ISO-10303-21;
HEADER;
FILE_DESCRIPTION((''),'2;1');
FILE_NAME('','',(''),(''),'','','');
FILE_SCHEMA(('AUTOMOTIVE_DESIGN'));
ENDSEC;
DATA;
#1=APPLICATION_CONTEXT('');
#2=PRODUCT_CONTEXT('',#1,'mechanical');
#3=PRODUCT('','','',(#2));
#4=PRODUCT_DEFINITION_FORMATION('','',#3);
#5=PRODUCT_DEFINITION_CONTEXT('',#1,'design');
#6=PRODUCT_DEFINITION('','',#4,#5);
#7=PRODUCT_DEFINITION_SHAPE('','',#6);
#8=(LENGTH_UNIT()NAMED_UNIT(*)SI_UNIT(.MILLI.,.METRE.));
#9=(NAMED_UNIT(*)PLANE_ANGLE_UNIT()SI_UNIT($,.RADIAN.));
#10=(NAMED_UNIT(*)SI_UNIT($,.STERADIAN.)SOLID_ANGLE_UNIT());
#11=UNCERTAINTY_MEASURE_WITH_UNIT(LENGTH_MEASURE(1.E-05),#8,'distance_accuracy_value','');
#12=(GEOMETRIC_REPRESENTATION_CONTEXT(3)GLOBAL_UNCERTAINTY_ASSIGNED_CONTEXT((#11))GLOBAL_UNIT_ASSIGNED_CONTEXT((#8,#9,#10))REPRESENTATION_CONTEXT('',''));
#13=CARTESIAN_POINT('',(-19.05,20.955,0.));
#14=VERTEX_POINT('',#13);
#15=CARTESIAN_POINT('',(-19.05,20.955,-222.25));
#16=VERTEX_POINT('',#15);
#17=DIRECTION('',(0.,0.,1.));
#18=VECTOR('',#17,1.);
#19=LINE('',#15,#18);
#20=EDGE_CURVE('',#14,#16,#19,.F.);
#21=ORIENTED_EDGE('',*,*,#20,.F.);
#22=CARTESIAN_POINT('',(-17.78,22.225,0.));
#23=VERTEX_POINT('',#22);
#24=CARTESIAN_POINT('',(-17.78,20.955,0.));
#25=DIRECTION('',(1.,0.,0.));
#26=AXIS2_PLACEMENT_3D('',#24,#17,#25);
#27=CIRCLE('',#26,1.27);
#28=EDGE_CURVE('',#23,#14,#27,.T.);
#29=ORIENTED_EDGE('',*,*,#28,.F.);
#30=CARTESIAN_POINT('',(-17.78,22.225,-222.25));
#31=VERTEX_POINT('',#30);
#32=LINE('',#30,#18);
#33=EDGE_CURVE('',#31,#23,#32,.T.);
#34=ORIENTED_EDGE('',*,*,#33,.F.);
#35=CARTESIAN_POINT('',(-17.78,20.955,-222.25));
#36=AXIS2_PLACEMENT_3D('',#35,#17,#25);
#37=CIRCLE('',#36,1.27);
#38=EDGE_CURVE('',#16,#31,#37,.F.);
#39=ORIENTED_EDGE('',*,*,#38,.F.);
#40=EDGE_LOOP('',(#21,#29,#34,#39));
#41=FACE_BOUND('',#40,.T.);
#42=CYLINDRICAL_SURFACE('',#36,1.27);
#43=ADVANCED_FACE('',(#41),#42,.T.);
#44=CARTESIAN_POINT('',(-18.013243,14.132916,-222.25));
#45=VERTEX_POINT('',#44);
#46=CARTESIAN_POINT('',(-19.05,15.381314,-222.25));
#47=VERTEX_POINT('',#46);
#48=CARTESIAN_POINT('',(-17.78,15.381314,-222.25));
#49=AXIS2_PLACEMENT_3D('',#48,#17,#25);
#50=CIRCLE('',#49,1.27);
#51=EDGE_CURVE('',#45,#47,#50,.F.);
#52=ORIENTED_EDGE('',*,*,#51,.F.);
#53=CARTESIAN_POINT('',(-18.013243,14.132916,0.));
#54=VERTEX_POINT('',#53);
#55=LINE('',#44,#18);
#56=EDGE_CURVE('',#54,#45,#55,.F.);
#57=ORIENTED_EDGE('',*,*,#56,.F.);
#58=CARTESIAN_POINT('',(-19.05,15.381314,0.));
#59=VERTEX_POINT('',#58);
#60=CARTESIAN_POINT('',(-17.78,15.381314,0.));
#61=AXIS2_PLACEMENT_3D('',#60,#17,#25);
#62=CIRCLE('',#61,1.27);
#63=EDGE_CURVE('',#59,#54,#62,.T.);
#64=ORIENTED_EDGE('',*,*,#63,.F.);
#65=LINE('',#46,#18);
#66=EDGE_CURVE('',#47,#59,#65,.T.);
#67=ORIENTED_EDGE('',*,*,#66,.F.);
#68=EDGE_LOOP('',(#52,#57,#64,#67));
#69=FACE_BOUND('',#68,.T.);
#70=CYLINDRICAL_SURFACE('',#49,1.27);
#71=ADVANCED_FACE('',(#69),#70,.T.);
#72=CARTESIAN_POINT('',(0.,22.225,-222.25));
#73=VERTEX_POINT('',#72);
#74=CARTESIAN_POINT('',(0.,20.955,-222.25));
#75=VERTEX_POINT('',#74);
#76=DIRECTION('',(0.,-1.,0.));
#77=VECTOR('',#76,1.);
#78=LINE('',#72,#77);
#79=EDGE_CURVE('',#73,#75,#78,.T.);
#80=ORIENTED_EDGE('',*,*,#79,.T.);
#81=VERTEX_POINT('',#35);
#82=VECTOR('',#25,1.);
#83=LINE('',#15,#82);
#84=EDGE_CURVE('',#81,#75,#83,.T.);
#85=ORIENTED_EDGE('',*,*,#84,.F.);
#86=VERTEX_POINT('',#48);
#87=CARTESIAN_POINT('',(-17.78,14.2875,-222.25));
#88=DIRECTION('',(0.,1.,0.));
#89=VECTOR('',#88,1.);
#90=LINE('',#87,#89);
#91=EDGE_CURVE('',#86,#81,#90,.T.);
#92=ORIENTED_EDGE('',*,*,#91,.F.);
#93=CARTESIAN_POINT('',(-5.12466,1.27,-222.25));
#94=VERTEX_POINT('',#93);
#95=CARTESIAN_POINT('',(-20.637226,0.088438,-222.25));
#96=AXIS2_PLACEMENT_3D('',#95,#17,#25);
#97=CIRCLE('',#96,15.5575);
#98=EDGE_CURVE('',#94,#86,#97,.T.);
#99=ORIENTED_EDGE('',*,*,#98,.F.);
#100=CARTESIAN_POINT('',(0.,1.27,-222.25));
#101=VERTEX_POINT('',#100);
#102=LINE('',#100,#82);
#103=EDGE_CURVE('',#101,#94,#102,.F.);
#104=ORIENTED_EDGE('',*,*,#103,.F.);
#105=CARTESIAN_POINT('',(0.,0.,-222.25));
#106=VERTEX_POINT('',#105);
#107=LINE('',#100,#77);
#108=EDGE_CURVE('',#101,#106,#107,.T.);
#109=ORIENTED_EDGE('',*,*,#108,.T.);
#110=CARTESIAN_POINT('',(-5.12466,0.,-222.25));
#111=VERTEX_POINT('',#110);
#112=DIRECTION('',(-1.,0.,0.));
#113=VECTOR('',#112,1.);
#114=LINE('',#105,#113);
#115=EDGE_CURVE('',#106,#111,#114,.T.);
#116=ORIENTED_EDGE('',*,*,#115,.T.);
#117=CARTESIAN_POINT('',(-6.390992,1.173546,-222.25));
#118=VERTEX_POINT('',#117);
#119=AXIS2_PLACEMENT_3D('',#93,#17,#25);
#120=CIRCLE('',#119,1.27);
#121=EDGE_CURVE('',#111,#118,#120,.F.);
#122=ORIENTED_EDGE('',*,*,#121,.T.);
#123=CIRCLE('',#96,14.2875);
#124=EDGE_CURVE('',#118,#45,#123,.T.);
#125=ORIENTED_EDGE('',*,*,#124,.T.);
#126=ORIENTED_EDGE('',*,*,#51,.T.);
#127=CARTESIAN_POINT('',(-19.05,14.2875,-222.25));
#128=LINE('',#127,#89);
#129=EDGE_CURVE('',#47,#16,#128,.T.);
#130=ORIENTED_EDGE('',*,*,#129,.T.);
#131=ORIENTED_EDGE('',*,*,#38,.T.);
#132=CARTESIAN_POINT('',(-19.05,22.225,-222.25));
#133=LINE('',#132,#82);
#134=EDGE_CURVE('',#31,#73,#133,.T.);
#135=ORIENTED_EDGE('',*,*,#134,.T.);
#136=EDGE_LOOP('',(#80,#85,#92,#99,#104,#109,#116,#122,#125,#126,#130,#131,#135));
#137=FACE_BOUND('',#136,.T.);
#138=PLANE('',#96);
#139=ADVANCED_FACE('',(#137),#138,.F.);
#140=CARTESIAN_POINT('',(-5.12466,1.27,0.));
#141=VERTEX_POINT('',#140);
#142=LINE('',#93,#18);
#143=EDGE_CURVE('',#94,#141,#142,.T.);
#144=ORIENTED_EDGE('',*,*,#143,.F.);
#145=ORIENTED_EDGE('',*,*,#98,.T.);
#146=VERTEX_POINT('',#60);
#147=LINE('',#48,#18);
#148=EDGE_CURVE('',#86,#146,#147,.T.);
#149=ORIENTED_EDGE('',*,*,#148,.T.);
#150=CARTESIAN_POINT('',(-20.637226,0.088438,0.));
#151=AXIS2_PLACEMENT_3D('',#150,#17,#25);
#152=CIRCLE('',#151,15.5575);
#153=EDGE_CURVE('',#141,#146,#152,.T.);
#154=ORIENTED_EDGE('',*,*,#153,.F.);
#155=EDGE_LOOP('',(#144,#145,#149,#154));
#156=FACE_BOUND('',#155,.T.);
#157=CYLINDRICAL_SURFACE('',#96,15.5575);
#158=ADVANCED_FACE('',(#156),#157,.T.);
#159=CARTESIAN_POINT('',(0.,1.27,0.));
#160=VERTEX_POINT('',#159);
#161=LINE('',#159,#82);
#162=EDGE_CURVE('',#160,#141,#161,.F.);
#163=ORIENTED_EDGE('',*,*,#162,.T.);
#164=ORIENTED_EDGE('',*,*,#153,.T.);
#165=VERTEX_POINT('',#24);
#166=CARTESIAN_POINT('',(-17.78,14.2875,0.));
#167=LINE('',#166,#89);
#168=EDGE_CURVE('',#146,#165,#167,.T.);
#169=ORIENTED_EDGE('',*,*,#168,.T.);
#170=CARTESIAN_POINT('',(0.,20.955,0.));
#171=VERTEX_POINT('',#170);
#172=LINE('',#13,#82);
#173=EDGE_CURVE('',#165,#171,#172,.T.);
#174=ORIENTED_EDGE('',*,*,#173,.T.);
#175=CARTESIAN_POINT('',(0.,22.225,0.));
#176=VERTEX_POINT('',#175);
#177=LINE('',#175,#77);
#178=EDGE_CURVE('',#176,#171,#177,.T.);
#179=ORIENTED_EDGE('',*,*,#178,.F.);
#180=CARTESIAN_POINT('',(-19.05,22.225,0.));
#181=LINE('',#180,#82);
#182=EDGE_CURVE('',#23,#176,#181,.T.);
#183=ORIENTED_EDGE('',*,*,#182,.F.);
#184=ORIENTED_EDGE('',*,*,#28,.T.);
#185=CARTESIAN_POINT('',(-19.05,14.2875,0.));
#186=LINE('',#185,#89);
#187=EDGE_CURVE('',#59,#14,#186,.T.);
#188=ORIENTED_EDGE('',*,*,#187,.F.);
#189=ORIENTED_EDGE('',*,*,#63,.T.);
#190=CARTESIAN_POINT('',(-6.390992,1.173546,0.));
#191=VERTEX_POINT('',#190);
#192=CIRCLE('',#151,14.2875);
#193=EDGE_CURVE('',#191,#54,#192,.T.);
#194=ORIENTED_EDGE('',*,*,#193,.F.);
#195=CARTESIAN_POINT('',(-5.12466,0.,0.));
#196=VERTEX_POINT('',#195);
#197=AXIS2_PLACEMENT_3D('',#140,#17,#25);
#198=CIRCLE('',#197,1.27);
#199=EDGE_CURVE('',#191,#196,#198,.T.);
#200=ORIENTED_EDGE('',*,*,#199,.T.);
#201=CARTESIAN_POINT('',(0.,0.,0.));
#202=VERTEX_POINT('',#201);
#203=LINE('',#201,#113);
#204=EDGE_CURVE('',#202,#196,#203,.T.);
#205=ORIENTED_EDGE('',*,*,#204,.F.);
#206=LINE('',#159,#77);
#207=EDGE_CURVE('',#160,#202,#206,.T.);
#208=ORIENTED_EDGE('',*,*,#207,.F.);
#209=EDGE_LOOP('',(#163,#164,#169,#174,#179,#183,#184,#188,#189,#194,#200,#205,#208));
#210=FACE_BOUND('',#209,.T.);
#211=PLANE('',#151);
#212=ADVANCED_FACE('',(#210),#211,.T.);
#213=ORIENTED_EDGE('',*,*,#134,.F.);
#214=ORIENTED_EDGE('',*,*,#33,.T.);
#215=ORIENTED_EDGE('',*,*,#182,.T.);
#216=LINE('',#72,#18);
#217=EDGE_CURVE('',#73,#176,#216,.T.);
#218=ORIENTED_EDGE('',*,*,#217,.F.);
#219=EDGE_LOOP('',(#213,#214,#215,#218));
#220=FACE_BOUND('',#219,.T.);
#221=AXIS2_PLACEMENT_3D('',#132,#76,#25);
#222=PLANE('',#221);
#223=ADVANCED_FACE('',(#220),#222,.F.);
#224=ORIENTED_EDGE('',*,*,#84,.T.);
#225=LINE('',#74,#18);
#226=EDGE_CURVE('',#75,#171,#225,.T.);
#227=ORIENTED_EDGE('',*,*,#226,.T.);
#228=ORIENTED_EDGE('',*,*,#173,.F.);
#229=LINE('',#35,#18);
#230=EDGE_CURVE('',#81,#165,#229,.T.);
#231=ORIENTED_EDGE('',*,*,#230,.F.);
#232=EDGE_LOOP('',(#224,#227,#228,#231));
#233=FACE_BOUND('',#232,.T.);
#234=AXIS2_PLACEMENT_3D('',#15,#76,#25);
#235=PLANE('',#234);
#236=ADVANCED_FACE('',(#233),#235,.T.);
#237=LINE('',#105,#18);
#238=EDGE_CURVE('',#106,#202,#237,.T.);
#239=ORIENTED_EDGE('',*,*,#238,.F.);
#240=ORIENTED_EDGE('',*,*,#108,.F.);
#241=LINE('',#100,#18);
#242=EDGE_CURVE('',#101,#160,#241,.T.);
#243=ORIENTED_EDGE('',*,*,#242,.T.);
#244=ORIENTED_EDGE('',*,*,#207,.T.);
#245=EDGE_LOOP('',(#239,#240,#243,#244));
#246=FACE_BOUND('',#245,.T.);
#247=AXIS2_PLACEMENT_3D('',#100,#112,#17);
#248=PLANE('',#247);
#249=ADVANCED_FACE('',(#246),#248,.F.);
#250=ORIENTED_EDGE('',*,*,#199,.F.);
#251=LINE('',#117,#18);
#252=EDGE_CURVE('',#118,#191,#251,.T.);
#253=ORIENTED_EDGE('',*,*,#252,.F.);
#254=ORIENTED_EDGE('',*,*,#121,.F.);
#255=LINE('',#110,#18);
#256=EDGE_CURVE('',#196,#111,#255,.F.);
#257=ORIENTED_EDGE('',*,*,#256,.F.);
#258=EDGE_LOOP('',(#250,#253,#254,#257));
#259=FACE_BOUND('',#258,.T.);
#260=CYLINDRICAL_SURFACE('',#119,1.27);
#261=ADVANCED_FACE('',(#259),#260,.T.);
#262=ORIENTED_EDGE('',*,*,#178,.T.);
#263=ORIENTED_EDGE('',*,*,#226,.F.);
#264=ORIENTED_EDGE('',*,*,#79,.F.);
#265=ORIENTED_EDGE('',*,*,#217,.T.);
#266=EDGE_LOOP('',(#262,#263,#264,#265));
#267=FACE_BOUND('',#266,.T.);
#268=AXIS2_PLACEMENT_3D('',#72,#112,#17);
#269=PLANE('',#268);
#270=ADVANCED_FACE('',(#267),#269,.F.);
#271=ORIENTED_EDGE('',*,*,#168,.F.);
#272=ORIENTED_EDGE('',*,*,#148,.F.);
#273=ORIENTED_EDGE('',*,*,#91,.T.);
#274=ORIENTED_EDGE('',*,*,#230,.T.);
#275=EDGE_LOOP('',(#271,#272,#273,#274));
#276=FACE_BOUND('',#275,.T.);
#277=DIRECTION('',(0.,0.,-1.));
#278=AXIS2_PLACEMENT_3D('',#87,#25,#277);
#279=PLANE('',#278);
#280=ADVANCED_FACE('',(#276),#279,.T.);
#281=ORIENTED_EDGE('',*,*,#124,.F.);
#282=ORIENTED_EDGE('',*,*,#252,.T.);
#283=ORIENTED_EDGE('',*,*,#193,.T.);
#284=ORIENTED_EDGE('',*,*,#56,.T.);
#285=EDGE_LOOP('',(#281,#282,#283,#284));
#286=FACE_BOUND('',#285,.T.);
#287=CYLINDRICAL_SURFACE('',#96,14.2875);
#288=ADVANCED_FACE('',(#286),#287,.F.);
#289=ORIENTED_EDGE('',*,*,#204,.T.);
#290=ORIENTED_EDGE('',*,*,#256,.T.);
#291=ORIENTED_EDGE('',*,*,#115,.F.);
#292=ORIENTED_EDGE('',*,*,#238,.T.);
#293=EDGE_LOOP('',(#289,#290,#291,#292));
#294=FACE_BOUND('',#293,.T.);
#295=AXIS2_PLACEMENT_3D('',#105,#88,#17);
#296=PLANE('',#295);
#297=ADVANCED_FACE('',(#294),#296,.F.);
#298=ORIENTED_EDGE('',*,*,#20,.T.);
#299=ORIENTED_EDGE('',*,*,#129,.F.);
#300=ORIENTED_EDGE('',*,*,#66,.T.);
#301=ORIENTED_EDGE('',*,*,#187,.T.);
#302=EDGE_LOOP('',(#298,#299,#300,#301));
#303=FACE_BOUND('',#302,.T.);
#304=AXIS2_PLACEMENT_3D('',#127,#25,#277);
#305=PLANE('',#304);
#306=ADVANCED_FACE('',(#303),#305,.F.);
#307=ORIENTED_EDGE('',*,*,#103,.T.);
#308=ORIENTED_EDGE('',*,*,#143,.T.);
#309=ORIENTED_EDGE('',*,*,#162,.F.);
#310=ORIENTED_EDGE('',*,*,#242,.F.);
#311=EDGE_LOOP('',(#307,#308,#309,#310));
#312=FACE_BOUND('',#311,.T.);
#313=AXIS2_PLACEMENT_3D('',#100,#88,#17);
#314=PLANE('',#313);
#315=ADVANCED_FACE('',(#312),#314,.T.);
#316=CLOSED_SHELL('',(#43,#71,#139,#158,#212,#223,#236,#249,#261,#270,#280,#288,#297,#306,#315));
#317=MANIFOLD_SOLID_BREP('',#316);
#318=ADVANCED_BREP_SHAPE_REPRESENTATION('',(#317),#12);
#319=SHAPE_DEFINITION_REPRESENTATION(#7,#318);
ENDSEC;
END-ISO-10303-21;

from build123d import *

# Parameters (mm, degrees)
EXTRUDE_THIN1_DEPTH = 222.25
FILLET1_R           = 1.27


with BuildPart() as part:
    # Sketch1 → Extrude-Thin1 (new body)
    with BuildSketch(Plane.XY):
        with BuildLine():
            Line((0, 0), (-6.35, 0))
            ThreePointArc((-6.35, 0), (-9.958615648, 9.580536091), (-19.05, 14.2875))
            Line((-19.05, 14.2875), (-19.05, 22.225))
            Line((-19.05, 22.225), (0, 22.225))
            Line((0, 22.225), (0, 20.955))
            Line((0, 20.955), (-17.78, 20.955))
            Line((-17.78, 20.955), (-17.78, 15.381314))
            ThreePointArc((-17.78, 15.381314), (-9.055144579, 10.475506123), (-5.12465987, 1.27))
            Line((-5.12465987, 1.27), (0, 1.27))
            Line((0, 1.27), (0, 0))
        make_face()
    extrude(amount=-EXTRUDE_THIN1_DEPTH)

    # Fillet1
    fillet1_edges = [part.edges().sort_by_distance(p)[0] for p in [
        (-6.35, 0, -111.125),
        (-19.05, 14.2875, -111.125),
        (-19.05, 22.225, -111.125),
    ]]
    fillet(fillet1_edges, radius=FILLET1_R)


solid = part.part
